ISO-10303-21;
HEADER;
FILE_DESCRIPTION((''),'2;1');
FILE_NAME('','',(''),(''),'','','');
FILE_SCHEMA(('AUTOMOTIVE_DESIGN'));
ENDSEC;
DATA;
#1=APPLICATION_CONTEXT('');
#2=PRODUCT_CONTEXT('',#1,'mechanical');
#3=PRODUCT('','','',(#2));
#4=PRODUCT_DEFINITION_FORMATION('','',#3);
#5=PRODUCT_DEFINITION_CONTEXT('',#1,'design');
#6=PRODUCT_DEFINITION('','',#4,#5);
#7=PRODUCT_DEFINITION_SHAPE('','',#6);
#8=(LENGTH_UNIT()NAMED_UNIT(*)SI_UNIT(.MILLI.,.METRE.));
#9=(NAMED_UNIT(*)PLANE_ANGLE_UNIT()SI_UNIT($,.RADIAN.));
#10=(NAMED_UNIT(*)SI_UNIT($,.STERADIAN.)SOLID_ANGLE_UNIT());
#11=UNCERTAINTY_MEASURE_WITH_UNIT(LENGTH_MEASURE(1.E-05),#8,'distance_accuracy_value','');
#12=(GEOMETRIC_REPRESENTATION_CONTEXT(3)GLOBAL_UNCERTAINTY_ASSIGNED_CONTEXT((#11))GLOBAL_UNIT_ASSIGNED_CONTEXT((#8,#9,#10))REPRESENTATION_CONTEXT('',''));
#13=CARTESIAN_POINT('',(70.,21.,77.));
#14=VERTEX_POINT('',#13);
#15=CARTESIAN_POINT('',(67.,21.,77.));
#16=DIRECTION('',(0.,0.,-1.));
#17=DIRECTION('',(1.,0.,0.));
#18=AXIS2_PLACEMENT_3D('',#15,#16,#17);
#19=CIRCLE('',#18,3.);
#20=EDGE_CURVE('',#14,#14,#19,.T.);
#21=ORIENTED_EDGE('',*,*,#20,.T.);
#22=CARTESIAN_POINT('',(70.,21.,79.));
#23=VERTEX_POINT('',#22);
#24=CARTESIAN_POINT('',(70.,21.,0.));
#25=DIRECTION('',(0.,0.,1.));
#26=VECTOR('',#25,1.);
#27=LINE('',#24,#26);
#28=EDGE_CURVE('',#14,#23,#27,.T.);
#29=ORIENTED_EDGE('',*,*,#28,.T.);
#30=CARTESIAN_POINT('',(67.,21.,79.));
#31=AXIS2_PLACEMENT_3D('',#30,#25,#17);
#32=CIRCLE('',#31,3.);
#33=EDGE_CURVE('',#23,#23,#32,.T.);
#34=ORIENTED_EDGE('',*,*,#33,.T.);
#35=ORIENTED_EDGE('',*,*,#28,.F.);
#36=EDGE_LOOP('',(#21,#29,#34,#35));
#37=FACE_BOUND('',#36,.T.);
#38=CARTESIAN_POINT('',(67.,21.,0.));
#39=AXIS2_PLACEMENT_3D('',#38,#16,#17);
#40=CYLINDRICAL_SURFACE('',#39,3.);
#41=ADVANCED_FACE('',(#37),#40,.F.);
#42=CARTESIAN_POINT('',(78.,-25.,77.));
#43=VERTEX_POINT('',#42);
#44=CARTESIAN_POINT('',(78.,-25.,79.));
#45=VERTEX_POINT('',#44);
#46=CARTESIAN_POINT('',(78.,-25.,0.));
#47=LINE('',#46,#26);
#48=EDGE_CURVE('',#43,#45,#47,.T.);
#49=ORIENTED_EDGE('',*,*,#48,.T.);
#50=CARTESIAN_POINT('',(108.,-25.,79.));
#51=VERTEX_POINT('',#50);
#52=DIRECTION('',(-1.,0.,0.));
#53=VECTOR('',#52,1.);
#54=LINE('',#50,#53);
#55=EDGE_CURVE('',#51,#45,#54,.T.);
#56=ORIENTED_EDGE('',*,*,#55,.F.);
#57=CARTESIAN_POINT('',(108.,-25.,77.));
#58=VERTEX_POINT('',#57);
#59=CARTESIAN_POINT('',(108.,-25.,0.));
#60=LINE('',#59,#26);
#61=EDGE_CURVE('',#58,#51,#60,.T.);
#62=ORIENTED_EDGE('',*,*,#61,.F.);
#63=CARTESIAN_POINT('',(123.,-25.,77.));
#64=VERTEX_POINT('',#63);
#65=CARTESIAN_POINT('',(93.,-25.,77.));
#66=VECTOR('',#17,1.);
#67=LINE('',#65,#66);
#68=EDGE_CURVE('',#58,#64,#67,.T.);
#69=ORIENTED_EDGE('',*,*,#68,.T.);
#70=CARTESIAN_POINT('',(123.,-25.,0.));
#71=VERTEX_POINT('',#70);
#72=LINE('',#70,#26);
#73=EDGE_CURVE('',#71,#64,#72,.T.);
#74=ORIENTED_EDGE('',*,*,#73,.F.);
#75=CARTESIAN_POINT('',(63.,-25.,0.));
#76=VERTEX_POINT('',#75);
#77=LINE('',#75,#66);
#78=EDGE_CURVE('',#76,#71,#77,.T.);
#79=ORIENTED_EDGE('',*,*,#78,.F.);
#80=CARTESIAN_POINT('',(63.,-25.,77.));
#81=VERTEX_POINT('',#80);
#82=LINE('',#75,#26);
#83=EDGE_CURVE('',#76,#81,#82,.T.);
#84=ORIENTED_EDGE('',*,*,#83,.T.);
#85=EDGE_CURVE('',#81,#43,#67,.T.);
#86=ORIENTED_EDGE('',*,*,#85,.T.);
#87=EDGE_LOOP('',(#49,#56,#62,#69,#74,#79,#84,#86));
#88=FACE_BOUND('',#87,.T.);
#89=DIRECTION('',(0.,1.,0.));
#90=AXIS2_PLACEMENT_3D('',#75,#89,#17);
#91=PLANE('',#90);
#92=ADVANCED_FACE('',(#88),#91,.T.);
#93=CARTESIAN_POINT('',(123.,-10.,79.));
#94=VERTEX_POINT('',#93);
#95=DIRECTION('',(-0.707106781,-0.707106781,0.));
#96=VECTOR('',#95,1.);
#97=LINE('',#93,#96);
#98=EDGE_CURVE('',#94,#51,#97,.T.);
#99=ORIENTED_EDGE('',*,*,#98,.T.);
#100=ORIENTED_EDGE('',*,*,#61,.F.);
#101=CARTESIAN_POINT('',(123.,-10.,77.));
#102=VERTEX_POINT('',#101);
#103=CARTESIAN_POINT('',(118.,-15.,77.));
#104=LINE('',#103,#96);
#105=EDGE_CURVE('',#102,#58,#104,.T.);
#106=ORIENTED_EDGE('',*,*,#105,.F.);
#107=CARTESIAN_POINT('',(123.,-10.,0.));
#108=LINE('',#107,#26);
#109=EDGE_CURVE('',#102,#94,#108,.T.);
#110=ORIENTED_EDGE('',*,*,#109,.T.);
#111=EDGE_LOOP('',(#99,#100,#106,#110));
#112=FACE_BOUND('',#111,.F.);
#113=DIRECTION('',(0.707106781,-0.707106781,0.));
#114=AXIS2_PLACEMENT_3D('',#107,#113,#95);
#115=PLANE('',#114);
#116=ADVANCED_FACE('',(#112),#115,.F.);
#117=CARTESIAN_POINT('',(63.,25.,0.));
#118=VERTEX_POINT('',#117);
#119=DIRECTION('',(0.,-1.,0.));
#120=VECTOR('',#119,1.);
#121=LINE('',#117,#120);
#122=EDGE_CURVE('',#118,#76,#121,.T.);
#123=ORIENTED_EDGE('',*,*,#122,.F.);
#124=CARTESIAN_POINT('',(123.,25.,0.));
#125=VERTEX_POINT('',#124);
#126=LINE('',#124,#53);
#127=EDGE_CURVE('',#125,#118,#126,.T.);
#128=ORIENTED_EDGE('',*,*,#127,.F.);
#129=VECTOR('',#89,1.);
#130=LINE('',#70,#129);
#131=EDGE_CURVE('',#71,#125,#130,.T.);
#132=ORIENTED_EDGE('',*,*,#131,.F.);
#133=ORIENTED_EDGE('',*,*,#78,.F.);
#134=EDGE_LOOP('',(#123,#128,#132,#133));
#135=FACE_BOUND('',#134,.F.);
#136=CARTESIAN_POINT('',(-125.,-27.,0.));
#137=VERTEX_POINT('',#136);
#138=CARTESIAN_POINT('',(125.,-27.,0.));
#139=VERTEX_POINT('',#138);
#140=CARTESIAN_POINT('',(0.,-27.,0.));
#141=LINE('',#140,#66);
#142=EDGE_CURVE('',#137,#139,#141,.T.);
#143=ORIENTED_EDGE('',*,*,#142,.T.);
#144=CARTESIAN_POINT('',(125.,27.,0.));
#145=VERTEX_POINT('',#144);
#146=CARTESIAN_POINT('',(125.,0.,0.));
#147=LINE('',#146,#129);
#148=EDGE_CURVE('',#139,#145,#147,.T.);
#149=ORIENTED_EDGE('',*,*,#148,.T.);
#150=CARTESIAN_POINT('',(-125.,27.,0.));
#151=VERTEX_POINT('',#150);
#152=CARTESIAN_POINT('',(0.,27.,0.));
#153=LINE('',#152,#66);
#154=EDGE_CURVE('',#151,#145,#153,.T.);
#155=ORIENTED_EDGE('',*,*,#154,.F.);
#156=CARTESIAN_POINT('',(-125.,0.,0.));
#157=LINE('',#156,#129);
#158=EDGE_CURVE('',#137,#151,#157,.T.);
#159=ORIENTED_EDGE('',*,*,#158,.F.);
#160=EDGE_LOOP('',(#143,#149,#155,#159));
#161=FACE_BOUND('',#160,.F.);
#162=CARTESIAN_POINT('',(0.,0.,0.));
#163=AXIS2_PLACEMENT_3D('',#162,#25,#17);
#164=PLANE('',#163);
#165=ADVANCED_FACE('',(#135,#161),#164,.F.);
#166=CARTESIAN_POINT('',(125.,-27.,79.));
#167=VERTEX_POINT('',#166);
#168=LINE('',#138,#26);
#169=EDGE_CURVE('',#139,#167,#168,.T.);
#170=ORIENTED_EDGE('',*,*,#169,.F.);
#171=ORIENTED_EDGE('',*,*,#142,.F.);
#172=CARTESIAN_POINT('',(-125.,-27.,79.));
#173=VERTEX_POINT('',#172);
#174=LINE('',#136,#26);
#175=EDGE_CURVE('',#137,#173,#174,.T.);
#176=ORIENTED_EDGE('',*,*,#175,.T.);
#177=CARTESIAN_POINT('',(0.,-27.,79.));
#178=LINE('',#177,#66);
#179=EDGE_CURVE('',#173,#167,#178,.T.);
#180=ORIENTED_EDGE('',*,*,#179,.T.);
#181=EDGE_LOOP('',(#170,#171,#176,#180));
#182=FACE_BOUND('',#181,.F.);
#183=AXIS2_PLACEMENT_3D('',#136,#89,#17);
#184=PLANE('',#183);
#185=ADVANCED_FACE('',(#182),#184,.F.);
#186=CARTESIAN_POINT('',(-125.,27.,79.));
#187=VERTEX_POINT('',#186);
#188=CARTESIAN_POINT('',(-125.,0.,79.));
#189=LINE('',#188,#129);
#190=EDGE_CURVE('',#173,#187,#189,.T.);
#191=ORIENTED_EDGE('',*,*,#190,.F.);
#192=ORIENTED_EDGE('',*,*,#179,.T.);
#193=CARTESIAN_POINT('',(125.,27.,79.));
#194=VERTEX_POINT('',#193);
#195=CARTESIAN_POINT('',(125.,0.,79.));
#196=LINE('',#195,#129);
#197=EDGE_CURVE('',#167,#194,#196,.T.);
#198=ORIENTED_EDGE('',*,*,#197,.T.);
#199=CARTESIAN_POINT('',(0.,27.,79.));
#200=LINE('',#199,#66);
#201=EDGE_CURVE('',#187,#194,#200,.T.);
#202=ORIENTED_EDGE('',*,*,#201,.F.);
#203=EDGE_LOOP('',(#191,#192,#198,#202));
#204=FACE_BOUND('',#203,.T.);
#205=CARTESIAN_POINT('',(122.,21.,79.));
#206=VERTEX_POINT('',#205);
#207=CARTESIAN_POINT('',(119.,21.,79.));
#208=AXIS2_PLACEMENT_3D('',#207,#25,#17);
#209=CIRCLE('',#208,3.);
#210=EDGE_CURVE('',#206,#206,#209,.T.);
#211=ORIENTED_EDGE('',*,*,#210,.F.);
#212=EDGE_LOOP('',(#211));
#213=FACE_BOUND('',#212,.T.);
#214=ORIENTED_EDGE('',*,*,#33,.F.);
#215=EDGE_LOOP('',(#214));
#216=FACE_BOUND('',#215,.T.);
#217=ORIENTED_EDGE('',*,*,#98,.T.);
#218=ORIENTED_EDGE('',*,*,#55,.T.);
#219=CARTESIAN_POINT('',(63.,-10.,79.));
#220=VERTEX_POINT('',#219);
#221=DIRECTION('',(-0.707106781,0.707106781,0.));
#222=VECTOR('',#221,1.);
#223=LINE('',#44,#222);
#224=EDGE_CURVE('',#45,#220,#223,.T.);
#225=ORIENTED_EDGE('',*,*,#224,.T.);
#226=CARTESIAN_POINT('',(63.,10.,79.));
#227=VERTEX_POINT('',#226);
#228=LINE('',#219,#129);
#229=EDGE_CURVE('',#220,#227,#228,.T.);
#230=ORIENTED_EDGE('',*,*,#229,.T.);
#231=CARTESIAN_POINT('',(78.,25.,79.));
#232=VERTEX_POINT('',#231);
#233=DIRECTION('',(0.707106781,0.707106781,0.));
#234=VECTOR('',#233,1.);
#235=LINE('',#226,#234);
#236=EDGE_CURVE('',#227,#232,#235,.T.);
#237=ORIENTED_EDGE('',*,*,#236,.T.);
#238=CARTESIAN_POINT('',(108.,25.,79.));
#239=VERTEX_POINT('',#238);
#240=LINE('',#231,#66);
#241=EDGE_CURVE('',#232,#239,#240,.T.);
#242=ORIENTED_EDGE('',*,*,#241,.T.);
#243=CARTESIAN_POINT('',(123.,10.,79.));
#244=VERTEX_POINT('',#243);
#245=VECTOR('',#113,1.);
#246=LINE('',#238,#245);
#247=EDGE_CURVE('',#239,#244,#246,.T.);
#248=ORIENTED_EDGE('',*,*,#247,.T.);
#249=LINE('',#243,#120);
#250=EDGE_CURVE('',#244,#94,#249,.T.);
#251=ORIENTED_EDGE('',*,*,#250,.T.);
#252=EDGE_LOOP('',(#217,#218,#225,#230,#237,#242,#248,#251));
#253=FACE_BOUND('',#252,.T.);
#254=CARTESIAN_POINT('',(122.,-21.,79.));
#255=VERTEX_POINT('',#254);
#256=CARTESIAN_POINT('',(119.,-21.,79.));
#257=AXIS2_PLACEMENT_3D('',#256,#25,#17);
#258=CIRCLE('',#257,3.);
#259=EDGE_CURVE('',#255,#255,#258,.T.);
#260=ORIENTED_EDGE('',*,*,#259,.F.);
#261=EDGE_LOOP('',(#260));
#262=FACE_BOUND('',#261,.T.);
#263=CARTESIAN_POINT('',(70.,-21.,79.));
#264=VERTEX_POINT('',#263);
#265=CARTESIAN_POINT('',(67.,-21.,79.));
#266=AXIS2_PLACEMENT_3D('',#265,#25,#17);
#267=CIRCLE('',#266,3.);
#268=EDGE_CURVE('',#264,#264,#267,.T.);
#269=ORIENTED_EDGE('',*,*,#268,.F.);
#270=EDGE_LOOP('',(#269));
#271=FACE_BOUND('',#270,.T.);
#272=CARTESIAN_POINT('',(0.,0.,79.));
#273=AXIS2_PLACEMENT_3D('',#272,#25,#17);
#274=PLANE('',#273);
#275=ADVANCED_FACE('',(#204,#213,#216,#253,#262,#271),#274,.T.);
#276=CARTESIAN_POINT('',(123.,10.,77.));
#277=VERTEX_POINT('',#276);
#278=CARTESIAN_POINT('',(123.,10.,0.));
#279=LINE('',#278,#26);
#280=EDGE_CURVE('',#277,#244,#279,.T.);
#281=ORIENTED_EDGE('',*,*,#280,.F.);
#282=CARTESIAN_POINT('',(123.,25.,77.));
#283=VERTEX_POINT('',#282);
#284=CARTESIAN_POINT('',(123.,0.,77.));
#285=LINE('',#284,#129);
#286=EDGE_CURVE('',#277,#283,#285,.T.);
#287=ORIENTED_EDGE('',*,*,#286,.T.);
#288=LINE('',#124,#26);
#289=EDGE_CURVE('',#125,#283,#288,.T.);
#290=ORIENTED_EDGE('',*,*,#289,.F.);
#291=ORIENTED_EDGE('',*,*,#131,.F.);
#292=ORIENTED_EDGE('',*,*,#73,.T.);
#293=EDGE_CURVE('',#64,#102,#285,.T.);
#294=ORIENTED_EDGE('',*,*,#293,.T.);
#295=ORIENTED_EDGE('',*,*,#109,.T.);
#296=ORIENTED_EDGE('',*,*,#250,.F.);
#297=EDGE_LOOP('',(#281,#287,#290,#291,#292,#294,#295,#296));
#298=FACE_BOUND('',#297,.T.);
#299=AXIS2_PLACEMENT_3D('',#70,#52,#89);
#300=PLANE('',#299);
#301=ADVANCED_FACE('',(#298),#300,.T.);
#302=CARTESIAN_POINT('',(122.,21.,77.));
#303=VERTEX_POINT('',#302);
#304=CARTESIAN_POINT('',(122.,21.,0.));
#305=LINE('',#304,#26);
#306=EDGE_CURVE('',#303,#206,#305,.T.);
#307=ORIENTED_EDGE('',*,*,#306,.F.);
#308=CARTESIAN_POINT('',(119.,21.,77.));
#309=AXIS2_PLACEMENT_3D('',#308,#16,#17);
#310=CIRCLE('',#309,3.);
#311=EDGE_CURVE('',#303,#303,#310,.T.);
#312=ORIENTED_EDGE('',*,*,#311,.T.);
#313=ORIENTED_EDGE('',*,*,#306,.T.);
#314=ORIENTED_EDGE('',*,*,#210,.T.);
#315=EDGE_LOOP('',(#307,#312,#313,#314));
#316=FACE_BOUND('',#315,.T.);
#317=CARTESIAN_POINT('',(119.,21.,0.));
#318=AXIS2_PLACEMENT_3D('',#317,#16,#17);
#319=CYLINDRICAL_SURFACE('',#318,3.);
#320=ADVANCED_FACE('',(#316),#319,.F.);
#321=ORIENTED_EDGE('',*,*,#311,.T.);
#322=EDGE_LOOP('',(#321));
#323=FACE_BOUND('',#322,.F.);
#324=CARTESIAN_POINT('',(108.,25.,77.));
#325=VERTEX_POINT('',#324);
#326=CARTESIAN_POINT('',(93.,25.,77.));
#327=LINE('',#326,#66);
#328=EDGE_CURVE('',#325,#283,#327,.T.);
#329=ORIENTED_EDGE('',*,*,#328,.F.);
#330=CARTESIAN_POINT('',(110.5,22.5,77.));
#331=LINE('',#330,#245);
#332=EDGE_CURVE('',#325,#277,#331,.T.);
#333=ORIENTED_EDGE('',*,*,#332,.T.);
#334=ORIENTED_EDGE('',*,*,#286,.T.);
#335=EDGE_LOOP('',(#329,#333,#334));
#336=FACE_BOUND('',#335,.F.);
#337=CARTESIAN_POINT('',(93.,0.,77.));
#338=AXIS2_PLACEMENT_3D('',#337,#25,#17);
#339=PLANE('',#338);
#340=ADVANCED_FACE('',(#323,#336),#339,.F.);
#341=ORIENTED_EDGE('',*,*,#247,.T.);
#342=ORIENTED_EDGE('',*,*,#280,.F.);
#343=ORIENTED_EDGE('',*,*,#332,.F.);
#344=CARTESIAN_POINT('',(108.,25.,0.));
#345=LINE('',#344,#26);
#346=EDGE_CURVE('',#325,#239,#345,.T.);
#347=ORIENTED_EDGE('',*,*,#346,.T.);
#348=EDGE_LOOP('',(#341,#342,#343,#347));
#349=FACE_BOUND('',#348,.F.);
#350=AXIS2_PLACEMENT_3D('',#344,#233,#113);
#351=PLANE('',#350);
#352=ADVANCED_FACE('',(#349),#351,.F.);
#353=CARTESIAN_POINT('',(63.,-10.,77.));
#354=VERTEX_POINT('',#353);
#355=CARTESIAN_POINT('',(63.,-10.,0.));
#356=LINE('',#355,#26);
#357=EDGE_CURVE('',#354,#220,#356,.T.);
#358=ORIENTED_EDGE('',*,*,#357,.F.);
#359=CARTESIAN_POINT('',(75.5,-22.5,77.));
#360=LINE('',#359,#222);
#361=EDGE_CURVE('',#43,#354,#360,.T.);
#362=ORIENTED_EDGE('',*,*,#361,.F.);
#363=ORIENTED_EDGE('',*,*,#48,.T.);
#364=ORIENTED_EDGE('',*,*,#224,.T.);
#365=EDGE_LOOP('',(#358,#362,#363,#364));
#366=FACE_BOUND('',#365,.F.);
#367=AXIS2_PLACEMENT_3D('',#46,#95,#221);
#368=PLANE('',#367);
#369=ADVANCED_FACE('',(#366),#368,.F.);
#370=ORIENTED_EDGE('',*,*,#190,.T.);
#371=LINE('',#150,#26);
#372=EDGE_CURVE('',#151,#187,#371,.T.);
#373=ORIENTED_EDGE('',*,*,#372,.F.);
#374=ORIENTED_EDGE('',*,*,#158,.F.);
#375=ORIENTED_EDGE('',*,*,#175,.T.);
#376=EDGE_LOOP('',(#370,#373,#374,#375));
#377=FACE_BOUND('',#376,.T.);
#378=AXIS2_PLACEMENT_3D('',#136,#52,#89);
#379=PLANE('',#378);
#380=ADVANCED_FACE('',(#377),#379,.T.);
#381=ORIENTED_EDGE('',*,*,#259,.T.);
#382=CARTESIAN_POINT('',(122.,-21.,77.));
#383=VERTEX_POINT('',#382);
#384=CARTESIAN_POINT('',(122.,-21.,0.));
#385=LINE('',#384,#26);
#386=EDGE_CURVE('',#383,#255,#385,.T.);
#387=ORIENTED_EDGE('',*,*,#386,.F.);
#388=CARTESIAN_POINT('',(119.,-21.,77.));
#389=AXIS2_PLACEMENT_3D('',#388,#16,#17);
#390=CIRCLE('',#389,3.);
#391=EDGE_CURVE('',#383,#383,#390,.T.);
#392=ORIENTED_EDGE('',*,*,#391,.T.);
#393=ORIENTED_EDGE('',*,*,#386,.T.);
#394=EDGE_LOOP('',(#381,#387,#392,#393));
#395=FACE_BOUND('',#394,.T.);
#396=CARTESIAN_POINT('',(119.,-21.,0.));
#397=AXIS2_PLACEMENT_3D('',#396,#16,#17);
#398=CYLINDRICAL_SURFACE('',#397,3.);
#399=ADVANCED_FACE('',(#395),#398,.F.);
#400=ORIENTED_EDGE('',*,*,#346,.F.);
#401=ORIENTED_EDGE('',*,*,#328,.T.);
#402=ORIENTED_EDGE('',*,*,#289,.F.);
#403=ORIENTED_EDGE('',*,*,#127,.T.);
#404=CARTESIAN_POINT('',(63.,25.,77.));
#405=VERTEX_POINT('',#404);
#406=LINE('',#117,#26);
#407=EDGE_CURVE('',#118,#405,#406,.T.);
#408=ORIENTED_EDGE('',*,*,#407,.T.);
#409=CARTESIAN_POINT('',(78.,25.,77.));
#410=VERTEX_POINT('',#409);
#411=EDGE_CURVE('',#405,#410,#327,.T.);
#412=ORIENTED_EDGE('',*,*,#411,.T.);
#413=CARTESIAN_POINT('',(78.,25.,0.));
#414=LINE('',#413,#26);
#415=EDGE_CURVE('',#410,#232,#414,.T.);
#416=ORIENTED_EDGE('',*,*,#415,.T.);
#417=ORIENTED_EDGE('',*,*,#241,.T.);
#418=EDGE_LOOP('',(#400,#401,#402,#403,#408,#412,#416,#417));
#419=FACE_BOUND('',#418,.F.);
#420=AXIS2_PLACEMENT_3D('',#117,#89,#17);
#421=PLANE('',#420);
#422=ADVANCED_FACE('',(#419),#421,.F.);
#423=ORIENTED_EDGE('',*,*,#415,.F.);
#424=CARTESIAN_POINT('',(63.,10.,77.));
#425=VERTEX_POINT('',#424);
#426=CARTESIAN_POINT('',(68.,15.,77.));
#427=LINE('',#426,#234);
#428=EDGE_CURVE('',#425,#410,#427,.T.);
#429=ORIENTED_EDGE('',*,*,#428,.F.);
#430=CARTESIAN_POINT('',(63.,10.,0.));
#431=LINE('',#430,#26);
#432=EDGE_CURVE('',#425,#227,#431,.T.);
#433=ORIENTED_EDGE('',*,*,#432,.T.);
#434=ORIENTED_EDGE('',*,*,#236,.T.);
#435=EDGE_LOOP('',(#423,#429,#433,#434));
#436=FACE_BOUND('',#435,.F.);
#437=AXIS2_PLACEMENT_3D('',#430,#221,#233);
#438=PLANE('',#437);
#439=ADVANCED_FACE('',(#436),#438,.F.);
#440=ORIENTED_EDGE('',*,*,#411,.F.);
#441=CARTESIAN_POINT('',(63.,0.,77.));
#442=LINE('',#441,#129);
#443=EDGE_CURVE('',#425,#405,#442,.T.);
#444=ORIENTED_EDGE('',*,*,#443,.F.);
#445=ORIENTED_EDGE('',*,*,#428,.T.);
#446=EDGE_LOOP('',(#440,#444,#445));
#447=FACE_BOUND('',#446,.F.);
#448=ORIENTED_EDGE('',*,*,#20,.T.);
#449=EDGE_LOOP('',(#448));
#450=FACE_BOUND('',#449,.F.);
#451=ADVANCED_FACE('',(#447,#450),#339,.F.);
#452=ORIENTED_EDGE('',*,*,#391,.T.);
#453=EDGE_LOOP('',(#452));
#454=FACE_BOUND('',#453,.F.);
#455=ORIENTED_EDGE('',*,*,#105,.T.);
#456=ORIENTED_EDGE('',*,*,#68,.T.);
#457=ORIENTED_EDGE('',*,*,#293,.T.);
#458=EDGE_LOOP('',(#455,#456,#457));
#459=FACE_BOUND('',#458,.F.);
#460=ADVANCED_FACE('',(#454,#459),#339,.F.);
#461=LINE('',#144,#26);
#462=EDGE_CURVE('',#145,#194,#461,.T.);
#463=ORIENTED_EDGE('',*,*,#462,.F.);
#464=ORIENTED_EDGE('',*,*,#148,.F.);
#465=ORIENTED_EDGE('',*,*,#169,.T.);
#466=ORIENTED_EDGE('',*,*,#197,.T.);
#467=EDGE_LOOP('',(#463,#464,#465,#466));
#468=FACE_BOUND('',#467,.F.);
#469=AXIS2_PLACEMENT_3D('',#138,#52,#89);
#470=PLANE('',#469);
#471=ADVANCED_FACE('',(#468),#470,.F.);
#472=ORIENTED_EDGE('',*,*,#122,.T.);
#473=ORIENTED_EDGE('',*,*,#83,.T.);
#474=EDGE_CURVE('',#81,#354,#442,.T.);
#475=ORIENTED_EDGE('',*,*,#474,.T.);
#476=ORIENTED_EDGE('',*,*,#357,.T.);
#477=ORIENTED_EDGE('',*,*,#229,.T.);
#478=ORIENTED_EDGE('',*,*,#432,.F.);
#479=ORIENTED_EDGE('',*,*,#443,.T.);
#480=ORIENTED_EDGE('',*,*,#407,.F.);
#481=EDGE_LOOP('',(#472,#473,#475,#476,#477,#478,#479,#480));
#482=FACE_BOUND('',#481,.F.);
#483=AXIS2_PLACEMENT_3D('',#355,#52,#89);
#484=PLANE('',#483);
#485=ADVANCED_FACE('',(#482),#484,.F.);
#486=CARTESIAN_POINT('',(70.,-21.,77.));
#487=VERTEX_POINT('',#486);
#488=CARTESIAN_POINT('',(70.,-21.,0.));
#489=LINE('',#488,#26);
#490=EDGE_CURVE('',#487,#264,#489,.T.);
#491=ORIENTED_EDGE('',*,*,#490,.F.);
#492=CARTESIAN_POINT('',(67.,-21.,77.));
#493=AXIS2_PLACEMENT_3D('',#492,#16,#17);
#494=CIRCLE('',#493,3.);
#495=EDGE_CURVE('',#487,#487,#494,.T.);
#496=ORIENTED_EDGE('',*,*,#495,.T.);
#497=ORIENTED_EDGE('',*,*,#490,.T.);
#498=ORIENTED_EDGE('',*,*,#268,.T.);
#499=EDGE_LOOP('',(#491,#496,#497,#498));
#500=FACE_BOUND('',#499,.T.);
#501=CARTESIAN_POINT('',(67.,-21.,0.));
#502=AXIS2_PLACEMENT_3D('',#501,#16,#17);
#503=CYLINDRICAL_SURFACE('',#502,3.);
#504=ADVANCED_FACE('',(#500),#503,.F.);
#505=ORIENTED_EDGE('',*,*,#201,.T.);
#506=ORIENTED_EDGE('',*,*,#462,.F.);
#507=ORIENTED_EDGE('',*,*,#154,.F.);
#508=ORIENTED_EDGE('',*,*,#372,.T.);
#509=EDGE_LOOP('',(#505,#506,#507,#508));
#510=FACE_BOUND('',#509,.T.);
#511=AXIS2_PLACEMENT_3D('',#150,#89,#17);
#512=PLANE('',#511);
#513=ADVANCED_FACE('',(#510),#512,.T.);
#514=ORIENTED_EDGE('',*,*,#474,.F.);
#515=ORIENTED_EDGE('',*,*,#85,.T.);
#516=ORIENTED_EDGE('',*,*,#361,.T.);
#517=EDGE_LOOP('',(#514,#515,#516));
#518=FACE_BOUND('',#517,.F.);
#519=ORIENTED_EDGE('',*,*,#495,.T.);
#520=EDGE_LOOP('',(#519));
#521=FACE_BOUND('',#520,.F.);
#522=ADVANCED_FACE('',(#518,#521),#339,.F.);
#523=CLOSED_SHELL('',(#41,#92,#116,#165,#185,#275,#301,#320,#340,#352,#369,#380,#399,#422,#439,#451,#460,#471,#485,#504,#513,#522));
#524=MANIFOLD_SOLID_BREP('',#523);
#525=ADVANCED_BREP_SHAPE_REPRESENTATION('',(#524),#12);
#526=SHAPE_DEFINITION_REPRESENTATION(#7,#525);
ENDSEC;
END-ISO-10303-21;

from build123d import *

# Parameters (mm, degrees)
STRUCTURESKETCH002_W      = 250
STRUCTURESKETCH002_H      = 54
MAINSTRUCTURE002_DEPTH    = 79
ZONESKETCH002_R           = 3
CENTERPOCKET002_DEPTH     = 79
ZONEFILLSKETCH002_W       = 60
ZONEFILLSKETCH002_H       = 50
CENTERFILLPOCKET002_DEPTH = 77


with BuildPart() as part:
    # StructureSketch002 → MainStructure002 (new body)
    with BuildSketch(Plane.XY):
        Rectangle(STRUCTURESKETCH002_W, STRUCTURESKETCH002_H)
    extrude(amount=MAINSTRUCTURE002_DEPTH)

    # ZoneSketch002 (on DatumPlane) → CenterPocket002 (cut)
    with BuildSketch(Plane(origin=(93, 0, 0), x_dir=(1, 0, 0), z_dir=(0, 0, 1))):
        with Locations((-26, 21)):
            Circle(ZONESKETCH002_R)
        with Locations((26, 21)):
            Circle(ZONESKETCH002_R)
        with Locations((26, -21)):
            Circle(ZONESKETCH002_R)
        with Locations((-26, -21)):
            Circle(ZONESKETCH002_R)
        Polygon((-15, 25), (15, 25), (30, 10), (30, -10), (15, -25), (-15, -25), (-30, -10), (-30, 10), align=None)
    extrude(amount=CENTERPOCKET002_DEPTH, mode=Mode.SUBTRACT)

    # ZoneFillSketch002 (on DatumPlane) → CenterFillPocket002 (cut)
    with BuildSketch(Plane(origin=(93, 0, 0), x_dir=(1, 0, 0), z_dir=(0, 0, 1))):
        Rectangle(ZONEFILLSKETCH002_W, ZONEFILLSKETCH002_H)
    extrude(amount=CENTERFILLPOCKET002_DEPTH, mode=Mode.SUBTRACT)


solid = part.part
